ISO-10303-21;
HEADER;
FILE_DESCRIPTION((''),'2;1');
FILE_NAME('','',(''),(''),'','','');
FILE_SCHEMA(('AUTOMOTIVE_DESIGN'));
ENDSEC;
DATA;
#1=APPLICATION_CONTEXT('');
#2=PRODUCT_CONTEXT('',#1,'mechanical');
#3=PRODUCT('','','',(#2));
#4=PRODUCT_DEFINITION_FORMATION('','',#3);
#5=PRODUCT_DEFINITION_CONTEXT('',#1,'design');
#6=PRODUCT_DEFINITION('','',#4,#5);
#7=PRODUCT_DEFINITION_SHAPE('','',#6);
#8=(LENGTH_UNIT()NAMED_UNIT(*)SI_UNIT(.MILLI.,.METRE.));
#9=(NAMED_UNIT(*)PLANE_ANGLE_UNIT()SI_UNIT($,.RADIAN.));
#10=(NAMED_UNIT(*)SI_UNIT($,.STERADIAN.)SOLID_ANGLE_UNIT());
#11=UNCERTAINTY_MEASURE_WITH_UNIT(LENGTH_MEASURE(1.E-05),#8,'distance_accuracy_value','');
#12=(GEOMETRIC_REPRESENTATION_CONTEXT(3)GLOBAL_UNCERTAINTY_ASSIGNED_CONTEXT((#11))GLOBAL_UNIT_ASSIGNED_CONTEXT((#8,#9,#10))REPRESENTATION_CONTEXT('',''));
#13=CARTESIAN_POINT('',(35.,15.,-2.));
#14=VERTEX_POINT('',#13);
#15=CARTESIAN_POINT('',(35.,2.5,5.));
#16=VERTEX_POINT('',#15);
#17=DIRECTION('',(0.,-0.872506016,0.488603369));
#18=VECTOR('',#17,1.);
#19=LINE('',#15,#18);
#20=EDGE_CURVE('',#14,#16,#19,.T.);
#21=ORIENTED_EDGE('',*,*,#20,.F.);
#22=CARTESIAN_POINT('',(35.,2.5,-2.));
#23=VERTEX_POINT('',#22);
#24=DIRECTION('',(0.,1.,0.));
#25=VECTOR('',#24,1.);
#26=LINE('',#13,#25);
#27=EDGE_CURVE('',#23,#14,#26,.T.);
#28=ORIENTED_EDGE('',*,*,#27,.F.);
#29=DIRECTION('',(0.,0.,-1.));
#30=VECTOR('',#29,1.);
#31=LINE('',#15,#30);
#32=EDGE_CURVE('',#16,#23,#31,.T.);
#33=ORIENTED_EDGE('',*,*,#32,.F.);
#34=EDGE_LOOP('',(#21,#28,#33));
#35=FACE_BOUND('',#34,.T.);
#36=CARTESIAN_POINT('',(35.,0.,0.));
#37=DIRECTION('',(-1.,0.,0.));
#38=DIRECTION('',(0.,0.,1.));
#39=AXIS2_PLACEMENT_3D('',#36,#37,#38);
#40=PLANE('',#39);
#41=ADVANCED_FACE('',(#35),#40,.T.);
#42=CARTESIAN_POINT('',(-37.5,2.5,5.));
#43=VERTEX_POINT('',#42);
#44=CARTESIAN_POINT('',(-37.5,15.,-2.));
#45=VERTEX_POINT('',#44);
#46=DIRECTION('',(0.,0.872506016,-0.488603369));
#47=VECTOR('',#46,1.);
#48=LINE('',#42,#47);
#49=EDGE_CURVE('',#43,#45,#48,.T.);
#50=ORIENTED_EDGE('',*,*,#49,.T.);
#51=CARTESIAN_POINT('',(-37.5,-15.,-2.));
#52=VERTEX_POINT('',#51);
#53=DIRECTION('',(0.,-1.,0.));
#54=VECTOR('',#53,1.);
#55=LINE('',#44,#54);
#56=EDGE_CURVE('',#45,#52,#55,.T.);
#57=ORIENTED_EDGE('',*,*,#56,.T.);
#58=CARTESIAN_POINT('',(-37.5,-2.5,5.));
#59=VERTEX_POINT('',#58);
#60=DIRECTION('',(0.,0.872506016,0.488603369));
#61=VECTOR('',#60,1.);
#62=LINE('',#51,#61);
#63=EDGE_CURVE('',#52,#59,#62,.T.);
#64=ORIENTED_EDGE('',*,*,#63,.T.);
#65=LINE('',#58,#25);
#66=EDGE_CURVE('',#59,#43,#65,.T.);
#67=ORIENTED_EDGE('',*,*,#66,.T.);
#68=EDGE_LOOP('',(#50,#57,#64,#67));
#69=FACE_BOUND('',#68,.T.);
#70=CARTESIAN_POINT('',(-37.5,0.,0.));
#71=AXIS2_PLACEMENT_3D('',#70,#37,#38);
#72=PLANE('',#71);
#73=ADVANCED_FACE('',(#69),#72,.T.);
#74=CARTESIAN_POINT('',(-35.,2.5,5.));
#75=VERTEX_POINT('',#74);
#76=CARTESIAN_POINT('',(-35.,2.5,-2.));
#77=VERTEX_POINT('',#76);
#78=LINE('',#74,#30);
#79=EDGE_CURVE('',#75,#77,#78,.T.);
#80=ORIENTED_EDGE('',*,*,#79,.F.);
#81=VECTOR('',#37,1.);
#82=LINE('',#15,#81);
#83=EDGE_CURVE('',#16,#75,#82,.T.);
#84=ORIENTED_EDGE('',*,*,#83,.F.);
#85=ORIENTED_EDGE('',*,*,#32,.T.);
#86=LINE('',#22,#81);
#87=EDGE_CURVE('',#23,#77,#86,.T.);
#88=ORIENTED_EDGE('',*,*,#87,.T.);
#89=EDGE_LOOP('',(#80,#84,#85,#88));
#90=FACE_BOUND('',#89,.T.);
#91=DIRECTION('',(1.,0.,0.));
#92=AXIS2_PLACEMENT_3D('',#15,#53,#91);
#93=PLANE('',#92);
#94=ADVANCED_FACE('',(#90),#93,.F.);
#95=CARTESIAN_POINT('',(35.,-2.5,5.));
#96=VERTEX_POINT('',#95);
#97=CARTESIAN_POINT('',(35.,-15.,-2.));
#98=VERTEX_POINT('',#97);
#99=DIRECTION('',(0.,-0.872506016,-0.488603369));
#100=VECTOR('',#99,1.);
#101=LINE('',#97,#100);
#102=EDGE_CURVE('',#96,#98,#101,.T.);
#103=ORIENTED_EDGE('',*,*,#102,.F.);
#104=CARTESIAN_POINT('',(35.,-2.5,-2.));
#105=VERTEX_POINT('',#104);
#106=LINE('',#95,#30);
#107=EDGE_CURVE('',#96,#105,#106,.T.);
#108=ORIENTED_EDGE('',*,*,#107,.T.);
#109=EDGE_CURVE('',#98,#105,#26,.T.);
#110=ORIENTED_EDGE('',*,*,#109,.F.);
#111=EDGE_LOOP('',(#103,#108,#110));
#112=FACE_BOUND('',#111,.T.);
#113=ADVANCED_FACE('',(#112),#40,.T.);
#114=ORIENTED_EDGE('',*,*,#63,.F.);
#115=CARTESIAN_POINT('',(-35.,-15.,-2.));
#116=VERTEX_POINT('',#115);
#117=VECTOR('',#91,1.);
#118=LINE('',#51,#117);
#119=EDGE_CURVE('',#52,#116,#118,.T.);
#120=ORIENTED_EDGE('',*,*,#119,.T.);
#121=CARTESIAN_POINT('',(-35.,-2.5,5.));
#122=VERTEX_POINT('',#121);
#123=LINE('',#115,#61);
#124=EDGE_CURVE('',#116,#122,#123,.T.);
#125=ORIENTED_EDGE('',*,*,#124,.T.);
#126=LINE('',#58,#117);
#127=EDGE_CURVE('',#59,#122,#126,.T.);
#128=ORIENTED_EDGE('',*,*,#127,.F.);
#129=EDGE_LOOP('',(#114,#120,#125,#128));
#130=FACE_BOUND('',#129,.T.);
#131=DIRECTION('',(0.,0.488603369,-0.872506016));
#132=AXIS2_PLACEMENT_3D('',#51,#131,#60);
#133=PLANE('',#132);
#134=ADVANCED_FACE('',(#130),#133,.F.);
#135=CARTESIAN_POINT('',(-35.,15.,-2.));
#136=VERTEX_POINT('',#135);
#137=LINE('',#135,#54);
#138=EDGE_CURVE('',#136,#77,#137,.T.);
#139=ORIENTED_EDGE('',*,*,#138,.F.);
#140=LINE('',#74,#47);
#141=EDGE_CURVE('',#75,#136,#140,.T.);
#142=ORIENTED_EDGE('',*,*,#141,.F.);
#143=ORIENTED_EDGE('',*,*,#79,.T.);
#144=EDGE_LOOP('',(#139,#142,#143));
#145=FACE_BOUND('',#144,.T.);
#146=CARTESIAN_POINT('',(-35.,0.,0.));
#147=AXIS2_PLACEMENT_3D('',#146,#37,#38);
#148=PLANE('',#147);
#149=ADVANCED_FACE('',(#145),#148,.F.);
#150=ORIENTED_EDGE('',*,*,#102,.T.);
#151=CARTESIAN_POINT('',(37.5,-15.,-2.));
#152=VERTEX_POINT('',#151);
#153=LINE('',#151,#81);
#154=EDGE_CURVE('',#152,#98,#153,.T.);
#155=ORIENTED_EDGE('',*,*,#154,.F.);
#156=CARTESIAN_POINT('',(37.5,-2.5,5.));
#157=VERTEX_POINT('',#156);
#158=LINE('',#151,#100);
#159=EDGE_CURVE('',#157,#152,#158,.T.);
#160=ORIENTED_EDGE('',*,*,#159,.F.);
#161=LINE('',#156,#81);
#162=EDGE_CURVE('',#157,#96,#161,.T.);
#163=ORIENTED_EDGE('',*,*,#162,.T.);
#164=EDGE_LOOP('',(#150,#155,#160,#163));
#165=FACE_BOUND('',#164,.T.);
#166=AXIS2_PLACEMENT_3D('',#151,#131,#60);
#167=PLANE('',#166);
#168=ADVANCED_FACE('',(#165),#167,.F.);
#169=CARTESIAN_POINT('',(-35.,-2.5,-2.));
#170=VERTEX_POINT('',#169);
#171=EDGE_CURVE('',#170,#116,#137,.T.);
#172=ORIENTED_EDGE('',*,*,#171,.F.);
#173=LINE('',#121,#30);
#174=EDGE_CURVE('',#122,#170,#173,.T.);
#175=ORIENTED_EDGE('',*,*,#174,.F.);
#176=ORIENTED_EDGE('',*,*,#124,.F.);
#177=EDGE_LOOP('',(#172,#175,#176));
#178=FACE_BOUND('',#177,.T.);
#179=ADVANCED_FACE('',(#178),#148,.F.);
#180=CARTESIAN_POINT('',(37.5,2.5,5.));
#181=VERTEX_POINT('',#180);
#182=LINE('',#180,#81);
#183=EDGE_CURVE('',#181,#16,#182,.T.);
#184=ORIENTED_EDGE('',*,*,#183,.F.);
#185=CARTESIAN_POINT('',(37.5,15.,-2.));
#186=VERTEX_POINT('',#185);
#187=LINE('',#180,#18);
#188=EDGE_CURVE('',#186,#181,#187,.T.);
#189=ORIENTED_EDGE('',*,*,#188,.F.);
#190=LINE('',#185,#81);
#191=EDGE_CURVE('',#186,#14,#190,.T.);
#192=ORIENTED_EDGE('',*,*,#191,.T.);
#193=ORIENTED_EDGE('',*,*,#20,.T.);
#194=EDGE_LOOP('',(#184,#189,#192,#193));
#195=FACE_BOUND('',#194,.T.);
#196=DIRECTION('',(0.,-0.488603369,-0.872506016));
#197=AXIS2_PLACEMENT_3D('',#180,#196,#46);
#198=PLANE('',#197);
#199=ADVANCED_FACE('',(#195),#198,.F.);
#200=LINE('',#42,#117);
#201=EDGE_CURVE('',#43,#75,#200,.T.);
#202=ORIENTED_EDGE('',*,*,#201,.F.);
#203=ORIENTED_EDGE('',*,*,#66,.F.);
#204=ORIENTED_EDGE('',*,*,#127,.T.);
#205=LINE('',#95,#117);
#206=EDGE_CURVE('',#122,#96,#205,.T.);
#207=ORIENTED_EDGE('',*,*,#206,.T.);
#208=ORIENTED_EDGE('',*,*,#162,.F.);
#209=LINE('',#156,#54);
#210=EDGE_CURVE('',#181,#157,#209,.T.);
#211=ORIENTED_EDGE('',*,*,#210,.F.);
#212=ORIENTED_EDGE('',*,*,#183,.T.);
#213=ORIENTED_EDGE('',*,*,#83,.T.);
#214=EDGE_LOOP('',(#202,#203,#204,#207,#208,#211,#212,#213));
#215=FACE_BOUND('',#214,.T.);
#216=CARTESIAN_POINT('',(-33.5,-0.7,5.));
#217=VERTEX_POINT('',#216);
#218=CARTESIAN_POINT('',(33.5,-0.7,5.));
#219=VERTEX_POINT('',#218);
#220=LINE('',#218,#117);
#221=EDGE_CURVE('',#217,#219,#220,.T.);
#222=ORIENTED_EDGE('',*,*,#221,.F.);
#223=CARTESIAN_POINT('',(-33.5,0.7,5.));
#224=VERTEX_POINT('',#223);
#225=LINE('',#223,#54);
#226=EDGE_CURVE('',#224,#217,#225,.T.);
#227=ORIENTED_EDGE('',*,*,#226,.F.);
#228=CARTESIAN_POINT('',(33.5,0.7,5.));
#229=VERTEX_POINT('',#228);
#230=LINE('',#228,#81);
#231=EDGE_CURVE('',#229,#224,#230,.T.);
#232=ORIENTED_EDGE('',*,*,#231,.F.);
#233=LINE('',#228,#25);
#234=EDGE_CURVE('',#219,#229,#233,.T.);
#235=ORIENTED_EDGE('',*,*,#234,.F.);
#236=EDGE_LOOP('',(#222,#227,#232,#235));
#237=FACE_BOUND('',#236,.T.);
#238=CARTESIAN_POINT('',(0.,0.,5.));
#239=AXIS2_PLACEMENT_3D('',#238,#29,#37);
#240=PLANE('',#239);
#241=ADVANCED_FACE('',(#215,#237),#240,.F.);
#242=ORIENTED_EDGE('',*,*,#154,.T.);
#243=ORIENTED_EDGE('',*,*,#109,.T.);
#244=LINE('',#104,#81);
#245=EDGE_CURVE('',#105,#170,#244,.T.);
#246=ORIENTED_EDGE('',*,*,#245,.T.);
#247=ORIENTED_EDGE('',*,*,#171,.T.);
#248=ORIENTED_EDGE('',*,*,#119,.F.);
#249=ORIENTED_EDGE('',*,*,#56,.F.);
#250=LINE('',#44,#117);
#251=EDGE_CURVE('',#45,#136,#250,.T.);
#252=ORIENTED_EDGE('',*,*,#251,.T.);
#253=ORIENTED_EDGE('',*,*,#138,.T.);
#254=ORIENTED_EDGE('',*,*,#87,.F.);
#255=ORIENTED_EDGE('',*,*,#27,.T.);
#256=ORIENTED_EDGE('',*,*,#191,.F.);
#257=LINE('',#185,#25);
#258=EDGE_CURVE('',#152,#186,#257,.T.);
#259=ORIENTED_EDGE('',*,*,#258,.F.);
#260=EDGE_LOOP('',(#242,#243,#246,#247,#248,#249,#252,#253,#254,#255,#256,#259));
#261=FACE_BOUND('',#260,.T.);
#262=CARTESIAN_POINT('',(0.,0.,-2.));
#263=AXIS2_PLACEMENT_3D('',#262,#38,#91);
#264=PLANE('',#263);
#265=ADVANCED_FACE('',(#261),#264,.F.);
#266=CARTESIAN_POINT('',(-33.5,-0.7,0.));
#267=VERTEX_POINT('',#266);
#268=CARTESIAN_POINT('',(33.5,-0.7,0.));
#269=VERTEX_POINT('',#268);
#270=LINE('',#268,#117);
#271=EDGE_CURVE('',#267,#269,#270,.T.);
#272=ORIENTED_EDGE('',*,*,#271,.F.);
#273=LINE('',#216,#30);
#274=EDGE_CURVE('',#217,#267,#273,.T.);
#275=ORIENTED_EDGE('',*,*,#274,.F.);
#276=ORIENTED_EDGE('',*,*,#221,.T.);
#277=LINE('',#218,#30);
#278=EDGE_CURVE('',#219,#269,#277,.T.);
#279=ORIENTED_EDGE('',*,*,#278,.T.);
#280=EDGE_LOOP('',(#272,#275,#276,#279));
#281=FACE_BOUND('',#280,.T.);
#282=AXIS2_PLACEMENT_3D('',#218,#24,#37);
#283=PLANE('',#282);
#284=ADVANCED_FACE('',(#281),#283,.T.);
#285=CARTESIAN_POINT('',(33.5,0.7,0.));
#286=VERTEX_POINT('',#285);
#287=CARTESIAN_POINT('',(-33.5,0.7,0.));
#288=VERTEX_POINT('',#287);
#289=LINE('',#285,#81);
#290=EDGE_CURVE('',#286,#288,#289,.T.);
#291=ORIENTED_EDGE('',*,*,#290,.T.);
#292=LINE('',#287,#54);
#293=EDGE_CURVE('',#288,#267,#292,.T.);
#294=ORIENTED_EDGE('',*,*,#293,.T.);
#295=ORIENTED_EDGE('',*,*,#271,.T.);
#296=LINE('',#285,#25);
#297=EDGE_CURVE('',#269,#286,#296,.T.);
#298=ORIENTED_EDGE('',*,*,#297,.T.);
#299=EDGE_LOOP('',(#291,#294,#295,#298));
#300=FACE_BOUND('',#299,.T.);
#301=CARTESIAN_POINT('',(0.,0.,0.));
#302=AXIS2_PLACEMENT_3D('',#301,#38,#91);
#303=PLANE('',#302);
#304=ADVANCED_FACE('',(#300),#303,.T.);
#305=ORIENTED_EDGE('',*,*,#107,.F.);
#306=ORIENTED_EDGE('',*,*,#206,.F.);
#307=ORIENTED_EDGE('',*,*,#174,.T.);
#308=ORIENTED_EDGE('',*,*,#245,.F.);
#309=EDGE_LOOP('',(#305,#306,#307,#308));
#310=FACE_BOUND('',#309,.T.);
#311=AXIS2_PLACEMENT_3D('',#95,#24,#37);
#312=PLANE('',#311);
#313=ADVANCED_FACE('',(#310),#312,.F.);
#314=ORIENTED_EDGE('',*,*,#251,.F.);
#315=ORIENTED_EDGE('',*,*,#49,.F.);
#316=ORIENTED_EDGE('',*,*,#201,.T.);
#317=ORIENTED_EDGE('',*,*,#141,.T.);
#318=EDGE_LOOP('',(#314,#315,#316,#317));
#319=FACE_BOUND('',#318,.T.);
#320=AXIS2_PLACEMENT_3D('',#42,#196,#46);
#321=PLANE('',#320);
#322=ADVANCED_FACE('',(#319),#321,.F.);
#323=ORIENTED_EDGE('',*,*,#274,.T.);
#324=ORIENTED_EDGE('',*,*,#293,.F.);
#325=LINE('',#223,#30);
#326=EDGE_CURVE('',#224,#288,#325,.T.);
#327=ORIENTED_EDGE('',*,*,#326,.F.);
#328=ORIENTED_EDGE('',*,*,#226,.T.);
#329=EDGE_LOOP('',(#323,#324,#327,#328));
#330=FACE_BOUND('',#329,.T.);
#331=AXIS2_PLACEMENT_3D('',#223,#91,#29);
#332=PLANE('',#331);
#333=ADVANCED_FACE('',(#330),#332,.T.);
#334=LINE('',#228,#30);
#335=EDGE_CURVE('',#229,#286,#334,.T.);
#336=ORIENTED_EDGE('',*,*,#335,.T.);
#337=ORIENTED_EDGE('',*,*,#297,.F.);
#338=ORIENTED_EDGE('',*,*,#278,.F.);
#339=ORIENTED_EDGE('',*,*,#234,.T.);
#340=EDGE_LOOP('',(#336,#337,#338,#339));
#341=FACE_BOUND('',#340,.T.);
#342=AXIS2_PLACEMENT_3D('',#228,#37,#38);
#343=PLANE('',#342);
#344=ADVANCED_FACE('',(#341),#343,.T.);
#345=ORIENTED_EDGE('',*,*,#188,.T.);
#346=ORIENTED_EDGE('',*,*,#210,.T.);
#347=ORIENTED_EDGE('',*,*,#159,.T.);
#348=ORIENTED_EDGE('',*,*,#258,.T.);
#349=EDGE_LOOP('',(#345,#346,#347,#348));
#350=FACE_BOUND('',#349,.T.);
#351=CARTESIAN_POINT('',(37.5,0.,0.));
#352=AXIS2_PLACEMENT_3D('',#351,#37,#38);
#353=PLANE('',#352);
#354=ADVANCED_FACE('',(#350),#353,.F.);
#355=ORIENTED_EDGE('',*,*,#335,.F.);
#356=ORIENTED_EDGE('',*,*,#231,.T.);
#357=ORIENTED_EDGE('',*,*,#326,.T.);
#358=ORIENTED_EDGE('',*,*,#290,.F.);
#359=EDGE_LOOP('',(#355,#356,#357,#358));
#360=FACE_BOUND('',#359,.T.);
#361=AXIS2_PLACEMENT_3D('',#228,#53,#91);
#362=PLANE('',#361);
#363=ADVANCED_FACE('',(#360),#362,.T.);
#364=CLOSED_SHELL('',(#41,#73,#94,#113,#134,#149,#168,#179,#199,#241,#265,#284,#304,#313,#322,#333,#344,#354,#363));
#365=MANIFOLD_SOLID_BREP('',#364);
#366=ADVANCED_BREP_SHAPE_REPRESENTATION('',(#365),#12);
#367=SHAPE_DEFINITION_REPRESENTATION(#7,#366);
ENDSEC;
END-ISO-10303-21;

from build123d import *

# Parameters (mm, degrees)
SKETCH1_W           = 70
SKETCH1_H           = 5
SKETCH1_W_2         = 67
SKETCH1_H_2         = 1.4
BOSS_EXTRUDE1_DEPTH = 5
SKETCH2_W           = 70
SKETCH2_H           = 5
BOSS_EXTRUDE2_DEPTH = 2
BOSS_EXTRUDE3_DEPTH = 2.5
BOSS_EXTRUDE4_DEPTH = 2.5


with BuildPart() as part:
    # Sketch1 → Boss-Extrude1 (new body)
    with BuildSketch(Plane.XY):
        Rectangle(SKETCH1_W, SKETCH1_H)
        Rectangle(SKETCH1_W_2, SKETCH1_H_2, mode=Mode.SUBTRACT)
    extrude(amount=BOSS_EXTRUDE1_DEPTH)

    # Sketch2 → Boss-Extrude2 (add)
    with BuildSketch(Plane(origin=(0, 0, 0), x_dir=(-1, 0, 0), z_dir=(0, 0, -1))):
        Rectangle(SKETCH2_W, SKETCH2_H)
    extrude(amount=BOSS_EXTRUDE2_DEPTH)

    # Sketch3 → Boss-Extrude3 (add)
    with BuildSketch(Plane(origin=(35, 0, 0), x_dir=(0, 0, -1), z_dir=(1, 0, 0))):
        Polygon((-5, 2.5), (2, 15), (2, -15), (-5, -2.5), align=None)
    extrude(amount=BOSS_EXTRUDE3_DEPTH)

    # Sketch4 → Boss-Extrude4 (add)
    with BuildSketch(Plane.ZY.offset(35)):
        Polygon((5, 2.5), (-2, 15), (-2, -15), (5, -2.5), align=None)
    extrude(amount=BOSS_EXTRUDE4_DEPTH)


solid = part.part
